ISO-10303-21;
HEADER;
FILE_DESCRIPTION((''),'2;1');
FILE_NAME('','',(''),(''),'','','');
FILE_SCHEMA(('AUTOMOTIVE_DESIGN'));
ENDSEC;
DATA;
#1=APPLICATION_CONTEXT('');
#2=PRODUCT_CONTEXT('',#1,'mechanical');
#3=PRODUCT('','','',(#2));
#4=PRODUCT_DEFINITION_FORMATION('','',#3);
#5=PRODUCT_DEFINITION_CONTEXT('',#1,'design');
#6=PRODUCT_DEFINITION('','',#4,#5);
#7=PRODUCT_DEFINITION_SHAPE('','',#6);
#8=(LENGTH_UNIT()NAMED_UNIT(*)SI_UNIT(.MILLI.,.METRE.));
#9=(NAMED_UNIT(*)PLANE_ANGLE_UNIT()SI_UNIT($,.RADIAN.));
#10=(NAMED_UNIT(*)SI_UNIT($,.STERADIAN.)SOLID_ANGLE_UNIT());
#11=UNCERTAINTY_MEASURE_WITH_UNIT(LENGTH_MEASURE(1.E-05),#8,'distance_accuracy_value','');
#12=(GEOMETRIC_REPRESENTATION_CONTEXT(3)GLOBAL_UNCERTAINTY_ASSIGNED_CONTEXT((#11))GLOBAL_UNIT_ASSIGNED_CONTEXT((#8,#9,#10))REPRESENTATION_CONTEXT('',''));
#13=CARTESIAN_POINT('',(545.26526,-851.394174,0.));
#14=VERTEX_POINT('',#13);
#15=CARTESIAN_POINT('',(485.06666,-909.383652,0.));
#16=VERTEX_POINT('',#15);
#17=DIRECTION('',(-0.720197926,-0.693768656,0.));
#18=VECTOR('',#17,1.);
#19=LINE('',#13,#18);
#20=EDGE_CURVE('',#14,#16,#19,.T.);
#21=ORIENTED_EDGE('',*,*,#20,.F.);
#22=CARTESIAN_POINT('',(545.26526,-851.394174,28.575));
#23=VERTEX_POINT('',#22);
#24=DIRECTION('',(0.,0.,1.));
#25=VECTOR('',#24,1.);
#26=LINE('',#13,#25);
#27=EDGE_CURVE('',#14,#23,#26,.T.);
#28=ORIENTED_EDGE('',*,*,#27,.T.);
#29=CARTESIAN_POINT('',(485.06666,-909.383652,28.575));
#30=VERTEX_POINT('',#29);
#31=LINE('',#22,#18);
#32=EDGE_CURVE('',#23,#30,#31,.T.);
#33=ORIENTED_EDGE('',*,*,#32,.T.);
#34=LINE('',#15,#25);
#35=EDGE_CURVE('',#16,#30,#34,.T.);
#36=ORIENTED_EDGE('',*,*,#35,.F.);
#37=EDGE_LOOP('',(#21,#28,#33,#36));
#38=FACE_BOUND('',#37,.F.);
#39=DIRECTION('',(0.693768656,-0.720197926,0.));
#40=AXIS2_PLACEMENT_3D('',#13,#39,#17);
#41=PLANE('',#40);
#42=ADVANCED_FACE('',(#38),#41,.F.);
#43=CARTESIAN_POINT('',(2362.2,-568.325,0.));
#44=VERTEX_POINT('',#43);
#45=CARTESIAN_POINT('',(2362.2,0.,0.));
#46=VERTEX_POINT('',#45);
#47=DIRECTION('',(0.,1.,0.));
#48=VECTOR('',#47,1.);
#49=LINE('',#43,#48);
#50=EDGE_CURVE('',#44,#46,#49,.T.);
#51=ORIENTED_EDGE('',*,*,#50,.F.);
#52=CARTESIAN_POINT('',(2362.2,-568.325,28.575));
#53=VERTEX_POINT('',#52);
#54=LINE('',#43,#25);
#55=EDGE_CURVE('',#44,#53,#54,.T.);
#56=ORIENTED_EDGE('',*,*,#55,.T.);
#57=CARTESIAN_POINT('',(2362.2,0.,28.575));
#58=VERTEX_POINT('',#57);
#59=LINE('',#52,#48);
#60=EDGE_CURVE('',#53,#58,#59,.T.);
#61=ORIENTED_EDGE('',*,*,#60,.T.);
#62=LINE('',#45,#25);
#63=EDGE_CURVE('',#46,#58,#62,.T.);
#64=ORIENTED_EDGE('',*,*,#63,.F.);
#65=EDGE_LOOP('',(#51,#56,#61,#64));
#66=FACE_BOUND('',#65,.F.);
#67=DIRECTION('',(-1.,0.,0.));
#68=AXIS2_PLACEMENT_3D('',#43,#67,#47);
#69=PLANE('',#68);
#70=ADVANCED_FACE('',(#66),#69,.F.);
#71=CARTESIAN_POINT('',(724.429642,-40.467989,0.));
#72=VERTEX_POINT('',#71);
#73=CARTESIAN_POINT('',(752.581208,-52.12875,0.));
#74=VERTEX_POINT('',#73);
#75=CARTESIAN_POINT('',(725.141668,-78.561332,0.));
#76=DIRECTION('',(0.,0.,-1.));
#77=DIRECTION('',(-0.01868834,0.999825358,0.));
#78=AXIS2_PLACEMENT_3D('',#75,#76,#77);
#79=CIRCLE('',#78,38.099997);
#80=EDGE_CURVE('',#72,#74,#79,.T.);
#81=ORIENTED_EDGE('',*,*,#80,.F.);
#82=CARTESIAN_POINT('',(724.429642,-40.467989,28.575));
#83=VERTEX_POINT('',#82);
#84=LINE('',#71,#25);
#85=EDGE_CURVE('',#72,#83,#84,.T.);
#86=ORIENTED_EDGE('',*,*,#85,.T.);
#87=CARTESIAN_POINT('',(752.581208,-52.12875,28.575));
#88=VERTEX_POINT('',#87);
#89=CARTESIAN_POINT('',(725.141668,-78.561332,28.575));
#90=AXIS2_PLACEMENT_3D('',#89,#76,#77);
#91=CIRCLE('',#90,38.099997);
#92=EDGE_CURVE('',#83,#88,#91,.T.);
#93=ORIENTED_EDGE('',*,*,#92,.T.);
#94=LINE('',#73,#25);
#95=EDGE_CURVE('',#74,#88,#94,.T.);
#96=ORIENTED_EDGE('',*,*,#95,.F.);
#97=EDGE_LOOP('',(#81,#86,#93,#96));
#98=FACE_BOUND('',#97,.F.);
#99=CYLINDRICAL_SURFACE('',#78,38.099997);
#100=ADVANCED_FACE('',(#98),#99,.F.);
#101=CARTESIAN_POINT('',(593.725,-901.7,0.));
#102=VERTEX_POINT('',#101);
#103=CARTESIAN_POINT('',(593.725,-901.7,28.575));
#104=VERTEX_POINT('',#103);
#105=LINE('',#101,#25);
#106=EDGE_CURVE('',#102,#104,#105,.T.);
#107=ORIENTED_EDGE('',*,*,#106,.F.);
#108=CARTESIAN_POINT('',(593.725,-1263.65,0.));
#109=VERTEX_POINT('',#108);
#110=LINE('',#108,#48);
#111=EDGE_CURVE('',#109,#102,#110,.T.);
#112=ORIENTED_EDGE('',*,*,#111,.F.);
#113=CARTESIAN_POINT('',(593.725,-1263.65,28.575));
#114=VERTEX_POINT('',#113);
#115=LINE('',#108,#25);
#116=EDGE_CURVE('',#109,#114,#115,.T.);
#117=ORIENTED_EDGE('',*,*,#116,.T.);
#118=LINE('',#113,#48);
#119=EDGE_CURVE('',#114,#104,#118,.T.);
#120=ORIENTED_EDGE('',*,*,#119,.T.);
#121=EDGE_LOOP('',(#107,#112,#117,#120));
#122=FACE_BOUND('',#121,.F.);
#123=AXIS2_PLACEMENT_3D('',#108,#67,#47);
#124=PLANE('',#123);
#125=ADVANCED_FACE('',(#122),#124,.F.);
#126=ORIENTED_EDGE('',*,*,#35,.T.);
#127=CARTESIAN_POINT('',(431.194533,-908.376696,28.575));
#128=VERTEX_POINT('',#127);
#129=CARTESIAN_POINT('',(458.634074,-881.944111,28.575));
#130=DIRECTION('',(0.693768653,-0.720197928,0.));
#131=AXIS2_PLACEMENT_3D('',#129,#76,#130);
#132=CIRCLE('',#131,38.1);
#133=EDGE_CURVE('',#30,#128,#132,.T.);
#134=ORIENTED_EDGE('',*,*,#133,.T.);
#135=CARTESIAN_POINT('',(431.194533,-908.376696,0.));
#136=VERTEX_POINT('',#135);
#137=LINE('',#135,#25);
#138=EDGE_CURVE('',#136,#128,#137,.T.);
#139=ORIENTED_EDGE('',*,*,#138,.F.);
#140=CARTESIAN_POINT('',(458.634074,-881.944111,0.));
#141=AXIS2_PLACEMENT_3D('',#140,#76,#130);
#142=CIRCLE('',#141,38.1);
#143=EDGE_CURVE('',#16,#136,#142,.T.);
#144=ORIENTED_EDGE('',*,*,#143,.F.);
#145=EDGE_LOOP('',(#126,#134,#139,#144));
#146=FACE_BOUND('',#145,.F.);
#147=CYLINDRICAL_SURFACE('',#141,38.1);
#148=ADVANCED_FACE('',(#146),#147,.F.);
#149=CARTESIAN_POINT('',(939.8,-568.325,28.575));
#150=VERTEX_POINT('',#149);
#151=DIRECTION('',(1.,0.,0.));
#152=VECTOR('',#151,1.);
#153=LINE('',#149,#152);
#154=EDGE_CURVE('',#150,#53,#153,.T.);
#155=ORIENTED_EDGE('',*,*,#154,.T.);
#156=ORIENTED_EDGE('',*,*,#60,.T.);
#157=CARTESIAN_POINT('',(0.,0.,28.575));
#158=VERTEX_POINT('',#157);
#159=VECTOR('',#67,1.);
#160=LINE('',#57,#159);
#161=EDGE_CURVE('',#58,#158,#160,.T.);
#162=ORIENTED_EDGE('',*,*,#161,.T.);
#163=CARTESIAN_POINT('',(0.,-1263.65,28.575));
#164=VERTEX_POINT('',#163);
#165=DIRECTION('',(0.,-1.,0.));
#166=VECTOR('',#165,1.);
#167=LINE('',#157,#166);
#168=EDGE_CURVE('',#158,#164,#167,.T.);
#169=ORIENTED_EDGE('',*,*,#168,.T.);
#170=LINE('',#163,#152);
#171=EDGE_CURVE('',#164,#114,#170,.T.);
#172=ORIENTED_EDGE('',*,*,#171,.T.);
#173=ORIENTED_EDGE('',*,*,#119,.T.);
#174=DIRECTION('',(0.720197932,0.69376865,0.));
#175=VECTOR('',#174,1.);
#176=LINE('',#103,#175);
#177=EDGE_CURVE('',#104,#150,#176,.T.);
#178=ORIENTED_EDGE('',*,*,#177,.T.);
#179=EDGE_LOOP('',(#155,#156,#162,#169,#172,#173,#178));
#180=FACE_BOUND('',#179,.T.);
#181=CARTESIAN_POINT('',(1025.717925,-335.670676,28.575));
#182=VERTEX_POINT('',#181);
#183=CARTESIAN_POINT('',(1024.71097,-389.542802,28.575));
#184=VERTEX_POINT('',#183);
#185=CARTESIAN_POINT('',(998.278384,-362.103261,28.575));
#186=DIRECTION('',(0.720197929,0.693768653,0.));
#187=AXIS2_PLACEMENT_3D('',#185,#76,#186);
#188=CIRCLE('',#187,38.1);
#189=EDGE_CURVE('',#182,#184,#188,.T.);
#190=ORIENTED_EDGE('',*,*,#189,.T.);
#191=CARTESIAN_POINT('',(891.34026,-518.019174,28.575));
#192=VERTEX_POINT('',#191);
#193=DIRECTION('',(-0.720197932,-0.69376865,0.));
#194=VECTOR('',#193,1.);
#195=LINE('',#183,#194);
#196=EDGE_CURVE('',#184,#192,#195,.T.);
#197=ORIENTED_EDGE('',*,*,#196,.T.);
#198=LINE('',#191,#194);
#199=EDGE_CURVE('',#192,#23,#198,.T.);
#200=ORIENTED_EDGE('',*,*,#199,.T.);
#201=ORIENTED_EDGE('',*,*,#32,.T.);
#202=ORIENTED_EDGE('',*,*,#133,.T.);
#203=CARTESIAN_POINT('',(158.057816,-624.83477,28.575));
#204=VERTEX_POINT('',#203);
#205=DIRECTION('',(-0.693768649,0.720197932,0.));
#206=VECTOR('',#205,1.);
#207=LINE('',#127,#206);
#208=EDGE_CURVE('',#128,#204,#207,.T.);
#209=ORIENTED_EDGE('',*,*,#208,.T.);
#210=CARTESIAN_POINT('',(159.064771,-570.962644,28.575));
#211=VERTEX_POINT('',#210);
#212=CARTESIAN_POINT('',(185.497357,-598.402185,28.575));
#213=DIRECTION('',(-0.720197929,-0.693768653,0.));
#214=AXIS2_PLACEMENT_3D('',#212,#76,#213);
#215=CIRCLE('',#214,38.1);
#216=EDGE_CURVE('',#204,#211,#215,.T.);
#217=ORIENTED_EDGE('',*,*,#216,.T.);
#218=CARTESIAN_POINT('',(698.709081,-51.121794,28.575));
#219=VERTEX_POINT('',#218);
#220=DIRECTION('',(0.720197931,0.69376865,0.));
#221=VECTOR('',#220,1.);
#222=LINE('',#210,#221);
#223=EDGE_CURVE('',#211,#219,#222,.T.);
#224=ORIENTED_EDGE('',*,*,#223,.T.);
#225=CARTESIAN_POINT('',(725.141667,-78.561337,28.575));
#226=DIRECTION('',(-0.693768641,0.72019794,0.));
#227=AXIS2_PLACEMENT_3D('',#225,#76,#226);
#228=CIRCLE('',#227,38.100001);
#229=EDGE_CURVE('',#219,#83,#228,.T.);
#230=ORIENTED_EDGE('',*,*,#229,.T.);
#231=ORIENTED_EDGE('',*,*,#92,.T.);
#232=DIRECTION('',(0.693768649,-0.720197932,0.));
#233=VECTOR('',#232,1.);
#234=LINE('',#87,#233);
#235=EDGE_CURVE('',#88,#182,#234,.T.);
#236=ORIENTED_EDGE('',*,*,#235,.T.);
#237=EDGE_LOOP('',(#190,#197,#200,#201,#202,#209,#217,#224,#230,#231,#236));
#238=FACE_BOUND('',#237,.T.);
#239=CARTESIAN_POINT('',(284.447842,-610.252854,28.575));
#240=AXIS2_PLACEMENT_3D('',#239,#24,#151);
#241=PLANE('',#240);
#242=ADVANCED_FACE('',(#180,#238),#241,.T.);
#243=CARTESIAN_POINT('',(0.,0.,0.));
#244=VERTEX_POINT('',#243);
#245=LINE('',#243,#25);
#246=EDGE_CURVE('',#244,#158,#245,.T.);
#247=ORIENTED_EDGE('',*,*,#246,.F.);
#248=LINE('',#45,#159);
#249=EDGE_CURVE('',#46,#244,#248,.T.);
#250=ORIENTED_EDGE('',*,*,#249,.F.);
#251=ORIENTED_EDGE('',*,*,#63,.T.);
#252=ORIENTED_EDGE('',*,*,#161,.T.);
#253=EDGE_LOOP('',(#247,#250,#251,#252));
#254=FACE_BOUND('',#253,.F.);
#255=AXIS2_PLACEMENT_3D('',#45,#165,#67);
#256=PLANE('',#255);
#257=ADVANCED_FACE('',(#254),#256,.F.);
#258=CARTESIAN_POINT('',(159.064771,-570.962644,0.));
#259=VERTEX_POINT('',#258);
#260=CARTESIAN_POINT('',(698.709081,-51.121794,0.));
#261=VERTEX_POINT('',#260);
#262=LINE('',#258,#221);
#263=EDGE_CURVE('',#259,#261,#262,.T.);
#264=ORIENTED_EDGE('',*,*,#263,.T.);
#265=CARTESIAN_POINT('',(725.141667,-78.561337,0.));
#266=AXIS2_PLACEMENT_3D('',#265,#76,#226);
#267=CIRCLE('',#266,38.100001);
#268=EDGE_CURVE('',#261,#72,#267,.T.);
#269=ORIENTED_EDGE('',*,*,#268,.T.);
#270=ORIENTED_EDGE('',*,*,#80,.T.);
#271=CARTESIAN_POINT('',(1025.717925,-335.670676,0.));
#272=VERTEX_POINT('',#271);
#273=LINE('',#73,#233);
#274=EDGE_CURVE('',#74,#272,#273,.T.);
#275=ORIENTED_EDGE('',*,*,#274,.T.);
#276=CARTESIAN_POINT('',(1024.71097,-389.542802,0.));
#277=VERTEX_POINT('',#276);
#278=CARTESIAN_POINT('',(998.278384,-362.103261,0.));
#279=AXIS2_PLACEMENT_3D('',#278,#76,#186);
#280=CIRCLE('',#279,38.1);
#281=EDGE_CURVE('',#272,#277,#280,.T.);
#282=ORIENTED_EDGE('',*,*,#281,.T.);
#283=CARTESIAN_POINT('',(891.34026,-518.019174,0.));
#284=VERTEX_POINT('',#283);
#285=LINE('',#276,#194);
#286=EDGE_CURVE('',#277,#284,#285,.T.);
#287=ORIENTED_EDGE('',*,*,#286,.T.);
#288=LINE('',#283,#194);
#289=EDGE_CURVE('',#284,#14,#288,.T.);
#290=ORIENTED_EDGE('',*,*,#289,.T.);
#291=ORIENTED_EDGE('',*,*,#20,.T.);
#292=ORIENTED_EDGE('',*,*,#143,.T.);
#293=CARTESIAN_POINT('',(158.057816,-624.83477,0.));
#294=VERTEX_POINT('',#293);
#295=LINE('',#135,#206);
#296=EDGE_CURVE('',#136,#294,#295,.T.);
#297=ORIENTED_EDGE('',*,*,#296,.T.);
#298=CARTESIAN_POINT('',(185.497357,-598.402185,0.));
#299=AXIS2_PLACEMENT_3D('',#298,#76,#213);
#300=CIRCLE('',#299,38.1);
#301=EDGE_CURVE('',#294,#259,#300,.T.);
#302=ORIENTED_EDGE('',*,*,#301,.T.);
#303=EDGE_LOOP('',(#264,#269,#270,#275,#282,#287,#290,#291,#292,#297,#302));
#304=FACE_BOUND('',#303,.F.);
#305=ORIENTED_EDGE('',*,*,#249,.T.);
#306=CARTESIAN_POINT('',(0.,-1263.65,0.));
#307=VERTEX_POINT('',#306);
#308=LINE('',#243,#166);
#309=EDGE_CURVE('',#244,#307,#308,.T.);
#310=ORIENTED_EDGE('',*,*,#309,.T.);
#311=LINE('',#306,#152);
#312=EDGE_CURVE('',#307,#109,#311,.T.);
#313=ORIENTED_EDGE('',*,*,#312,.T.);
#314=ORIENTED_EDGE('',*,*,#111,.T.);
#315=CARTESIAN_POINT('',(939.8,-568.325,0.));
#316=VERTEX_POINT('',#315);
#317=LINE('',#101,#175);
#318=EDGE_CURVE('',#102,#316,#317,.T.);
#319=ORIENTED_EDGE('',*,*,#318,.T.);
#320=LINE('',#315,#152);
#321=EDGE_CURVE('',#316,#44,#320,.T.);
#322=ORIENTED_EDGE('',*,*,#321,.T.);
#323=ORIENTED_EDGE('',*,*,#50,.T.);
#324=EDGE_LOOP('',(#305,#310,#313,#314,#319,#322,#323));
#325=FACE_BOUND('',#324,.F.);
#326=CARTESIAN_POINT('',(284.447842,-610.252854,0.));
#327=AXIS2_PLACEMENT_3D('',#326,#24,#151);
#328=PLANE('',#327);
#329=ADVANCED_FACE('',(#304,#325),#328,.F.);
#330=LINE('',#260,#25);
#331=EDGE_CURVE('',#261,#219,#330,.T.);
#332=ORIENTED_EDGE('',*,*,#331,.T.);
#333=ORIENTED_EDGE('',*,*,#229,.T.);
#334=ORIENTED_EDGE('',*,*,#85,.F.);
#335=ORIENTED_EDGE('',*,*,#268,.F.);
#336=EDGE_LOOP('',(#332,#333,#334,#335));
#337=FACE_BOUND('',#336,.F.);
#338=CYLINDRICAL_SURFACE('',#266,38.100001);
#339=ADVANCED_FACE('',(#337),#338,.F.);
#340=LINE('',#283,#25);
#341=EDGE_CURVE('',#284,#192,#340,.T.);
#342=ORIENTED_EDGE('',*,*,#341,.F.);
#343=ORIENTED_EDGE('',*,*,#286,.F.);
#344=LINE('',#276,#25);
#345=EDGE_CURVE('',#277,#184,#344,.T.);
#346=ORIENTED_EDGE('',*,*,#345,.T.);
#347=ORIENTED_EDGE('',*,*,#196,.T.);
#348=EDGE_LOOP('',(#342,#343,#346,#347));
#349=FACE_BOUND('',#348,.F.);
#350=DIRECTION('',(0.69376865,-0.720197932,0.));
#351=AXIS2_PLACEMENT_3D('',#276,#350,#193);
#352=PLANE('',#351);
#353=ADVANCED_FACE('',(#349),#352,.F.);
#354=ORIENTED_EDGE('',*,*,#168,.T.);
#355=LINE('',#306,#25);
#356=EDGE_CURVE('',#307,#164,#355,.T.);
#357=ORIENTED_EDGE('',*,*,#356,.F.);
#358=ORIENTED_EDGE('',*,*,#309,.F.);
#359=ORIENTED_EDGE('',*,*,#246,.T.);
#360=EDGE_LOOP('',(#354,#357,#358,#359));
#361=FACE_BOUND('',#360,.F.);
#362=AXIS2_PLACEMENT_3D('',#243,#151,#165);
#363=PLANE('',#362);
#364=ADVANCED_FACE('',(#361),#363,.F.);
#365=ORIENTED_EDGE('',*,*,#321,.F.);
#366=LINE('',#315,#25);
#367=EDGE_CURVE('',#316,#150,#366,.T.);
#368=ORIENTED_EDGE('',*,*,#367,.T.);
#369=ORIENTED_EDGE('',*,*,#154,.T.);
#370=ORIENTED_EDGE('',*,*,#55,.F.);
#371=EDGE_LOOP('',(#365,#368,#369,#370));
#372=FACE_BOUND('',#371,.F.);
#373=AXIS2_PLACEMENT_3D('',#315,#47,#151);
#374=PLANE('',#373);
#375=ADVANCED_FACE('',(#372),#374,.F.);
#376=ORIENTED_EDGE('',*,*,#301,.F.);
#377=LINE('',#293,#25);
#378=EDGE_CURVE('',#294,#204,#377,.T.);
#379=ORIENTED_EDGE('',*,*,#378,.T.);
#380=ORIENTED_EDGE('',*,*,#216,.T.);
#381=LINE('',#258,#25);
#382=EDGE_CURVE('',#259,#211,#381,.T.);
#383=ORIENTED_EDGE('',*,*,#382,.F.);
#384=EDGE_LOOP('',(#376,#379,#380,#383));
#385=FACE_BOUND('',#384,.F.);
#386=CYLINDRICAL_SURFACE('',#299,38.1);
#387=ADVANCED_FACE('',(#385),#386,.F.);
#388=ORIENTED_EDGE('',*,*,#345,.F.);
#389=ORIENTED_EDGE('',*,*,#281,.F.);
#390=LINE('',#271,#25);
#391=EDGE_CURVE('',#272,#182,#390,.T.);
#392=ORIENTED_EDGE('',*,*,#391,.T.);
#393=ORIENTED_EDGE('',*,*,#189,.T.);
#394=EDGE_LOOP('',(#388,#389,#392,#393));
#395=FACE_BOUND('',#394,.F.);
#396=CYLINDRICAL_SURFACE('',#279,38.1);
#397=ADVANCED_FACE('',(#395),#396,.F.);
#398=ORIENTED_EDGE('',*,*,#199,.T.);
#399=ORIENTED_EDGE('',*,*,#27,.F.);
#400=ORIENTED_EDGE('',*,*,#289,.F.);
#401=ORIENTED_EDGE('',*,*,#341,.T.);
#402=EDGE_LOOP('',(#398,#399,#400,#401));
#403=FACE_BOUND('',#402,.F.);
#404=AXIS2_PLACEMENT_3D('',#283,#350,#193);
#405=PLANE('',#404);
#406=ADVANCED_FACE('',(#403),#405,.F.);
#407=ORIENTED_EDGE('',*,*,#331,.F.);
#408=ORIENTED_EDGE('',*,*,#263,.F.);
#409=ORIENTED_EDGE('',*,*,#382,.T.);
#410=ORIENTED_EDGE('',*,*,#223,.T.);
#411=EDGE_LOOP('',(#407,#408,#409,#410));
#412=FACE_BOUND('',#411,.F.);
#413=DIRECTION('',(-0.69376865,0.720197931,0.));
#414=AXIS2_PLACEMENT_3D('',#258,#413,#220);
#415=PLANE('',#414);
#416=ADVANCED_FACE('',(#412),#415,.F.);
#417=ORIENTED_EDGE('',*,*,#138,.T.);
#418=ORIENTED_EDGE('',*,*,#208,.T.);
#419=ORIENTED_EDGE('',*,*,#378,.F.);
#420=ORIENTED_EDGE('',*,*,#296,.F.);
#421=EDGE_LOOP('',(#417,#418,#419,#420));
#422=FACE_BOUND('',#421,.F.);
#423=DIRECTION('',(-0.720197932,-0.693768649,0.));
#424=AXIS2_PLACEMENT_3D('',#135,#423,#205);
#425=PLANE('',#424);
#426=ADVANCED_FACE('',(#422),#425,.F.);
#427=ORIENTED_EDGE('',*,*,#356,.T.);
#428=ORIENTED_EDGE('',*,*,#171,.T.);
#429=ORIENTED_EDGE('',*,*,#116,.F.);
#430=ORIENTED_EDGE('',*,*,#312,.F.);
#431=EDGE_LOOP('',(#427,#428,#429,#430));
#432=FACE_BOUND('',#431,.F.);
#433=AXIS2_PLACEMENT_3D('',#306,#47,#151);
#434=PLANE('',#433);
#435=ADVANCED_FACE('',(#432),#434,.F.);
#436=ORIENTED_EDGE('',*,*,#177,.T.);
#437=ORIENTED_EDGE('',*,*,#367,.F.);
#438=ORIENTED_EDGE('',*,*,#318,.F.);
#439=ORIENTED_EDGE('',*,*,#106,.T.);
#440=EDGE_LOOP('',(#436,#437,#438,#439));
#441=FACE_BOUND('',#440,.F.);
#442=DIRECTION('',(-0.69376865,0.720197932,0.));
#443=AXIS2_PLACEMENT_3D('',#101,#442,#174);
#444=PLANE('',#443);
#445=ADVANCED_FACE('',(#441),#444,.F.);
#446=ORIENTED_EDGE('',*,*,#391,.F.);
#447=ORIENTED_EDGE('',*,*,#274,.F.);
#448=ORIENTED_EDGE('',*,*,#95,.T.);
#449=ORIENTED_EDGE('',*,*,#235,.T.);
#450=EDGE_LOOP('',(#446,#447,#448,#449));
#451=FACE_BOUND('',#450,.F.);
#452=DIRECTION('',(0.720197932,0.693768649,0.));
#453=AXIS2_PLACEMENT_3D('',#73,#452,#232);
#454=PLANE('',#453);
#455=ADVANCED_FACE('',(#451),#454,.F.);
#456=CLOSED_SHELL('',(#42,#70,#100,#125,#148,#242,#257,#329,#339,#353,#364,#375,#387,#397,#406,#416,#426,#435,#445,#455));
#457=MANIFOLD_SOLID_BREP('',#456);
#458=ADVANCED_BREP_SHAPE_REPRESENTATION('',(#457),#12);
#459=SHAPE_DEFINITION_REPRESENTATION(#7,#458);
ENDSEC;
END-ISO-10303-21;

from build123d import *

# Parameters (mm, degrees)
F1_DEPTH = 28.575


with BuildPart() as f1:
    # F0 (on Top) → F1 (new body)
    with BuildSketch(Plane.XY):
        with BuildLine():
            Line((0, 0), (0, -1263.65))
            Line((0, -1263.65), (593.725, -1263.65))
            Line((593.725, -1263.65), (593.725, -901.7))
            Line((593.725, -901.7), (545.26526, -851.394174))
            Line((545.26526, -851.394174), (485.06666, -909.383652))
            ThreePointArc((485.06666, -909.383652), (457.922049, -920.037457), (431.194533, -908.376696))
            Line((431.194533, -908.376696), (158.057816, -624.83477))
            ThreePointArc((158.057816, -624.83477), (147.404011, -597.69016), (159.064771, -570.962644))
            Line((159.064771, -570.962644), (698.709081, -51.121794))
            ThreePointArc((698.709081, -51.121794), (710.561428, -43.361525), (724.429642, -40.467989))
            Line((724.429642, -40.467989), (724.429642, 0))
            Line((724.429642, 0), (0, 0))
        make_face()
        Polygon((545.26526, -851.394174), (593.725, -901.7), (939.8, -568.325), (891.34026, -518.019174), align=None)
        with BuildLine():
            Line((2362.2, 0), (724.429642, 0))
            Line((724.429642, 0), (724.429642, -40.467989))
            ThreePointArc((724.429642, -40.467989), (739.721906, -43.361525), (752.581208, -52.12875))
            Line((752.581208, -52.12875), (1025.717925, -335.670676))
            ThreePointArc((1025.717925, -335.670676), (1036.37173, -362.815286), (1024.71097, -389.542802))
            Line((1024.71097, -389.542802), (891.34026, -518.019174))
            Line((891.34026, -518.019174), (939.8, -568.325))
            Line((939.8, -568.325), (2362.2, -568.325))
            Line((2362.2, -568.325), (2362.2, 0))
        make_face()
    extrude(amount=F1_DEPTH)


solid = f1.part
